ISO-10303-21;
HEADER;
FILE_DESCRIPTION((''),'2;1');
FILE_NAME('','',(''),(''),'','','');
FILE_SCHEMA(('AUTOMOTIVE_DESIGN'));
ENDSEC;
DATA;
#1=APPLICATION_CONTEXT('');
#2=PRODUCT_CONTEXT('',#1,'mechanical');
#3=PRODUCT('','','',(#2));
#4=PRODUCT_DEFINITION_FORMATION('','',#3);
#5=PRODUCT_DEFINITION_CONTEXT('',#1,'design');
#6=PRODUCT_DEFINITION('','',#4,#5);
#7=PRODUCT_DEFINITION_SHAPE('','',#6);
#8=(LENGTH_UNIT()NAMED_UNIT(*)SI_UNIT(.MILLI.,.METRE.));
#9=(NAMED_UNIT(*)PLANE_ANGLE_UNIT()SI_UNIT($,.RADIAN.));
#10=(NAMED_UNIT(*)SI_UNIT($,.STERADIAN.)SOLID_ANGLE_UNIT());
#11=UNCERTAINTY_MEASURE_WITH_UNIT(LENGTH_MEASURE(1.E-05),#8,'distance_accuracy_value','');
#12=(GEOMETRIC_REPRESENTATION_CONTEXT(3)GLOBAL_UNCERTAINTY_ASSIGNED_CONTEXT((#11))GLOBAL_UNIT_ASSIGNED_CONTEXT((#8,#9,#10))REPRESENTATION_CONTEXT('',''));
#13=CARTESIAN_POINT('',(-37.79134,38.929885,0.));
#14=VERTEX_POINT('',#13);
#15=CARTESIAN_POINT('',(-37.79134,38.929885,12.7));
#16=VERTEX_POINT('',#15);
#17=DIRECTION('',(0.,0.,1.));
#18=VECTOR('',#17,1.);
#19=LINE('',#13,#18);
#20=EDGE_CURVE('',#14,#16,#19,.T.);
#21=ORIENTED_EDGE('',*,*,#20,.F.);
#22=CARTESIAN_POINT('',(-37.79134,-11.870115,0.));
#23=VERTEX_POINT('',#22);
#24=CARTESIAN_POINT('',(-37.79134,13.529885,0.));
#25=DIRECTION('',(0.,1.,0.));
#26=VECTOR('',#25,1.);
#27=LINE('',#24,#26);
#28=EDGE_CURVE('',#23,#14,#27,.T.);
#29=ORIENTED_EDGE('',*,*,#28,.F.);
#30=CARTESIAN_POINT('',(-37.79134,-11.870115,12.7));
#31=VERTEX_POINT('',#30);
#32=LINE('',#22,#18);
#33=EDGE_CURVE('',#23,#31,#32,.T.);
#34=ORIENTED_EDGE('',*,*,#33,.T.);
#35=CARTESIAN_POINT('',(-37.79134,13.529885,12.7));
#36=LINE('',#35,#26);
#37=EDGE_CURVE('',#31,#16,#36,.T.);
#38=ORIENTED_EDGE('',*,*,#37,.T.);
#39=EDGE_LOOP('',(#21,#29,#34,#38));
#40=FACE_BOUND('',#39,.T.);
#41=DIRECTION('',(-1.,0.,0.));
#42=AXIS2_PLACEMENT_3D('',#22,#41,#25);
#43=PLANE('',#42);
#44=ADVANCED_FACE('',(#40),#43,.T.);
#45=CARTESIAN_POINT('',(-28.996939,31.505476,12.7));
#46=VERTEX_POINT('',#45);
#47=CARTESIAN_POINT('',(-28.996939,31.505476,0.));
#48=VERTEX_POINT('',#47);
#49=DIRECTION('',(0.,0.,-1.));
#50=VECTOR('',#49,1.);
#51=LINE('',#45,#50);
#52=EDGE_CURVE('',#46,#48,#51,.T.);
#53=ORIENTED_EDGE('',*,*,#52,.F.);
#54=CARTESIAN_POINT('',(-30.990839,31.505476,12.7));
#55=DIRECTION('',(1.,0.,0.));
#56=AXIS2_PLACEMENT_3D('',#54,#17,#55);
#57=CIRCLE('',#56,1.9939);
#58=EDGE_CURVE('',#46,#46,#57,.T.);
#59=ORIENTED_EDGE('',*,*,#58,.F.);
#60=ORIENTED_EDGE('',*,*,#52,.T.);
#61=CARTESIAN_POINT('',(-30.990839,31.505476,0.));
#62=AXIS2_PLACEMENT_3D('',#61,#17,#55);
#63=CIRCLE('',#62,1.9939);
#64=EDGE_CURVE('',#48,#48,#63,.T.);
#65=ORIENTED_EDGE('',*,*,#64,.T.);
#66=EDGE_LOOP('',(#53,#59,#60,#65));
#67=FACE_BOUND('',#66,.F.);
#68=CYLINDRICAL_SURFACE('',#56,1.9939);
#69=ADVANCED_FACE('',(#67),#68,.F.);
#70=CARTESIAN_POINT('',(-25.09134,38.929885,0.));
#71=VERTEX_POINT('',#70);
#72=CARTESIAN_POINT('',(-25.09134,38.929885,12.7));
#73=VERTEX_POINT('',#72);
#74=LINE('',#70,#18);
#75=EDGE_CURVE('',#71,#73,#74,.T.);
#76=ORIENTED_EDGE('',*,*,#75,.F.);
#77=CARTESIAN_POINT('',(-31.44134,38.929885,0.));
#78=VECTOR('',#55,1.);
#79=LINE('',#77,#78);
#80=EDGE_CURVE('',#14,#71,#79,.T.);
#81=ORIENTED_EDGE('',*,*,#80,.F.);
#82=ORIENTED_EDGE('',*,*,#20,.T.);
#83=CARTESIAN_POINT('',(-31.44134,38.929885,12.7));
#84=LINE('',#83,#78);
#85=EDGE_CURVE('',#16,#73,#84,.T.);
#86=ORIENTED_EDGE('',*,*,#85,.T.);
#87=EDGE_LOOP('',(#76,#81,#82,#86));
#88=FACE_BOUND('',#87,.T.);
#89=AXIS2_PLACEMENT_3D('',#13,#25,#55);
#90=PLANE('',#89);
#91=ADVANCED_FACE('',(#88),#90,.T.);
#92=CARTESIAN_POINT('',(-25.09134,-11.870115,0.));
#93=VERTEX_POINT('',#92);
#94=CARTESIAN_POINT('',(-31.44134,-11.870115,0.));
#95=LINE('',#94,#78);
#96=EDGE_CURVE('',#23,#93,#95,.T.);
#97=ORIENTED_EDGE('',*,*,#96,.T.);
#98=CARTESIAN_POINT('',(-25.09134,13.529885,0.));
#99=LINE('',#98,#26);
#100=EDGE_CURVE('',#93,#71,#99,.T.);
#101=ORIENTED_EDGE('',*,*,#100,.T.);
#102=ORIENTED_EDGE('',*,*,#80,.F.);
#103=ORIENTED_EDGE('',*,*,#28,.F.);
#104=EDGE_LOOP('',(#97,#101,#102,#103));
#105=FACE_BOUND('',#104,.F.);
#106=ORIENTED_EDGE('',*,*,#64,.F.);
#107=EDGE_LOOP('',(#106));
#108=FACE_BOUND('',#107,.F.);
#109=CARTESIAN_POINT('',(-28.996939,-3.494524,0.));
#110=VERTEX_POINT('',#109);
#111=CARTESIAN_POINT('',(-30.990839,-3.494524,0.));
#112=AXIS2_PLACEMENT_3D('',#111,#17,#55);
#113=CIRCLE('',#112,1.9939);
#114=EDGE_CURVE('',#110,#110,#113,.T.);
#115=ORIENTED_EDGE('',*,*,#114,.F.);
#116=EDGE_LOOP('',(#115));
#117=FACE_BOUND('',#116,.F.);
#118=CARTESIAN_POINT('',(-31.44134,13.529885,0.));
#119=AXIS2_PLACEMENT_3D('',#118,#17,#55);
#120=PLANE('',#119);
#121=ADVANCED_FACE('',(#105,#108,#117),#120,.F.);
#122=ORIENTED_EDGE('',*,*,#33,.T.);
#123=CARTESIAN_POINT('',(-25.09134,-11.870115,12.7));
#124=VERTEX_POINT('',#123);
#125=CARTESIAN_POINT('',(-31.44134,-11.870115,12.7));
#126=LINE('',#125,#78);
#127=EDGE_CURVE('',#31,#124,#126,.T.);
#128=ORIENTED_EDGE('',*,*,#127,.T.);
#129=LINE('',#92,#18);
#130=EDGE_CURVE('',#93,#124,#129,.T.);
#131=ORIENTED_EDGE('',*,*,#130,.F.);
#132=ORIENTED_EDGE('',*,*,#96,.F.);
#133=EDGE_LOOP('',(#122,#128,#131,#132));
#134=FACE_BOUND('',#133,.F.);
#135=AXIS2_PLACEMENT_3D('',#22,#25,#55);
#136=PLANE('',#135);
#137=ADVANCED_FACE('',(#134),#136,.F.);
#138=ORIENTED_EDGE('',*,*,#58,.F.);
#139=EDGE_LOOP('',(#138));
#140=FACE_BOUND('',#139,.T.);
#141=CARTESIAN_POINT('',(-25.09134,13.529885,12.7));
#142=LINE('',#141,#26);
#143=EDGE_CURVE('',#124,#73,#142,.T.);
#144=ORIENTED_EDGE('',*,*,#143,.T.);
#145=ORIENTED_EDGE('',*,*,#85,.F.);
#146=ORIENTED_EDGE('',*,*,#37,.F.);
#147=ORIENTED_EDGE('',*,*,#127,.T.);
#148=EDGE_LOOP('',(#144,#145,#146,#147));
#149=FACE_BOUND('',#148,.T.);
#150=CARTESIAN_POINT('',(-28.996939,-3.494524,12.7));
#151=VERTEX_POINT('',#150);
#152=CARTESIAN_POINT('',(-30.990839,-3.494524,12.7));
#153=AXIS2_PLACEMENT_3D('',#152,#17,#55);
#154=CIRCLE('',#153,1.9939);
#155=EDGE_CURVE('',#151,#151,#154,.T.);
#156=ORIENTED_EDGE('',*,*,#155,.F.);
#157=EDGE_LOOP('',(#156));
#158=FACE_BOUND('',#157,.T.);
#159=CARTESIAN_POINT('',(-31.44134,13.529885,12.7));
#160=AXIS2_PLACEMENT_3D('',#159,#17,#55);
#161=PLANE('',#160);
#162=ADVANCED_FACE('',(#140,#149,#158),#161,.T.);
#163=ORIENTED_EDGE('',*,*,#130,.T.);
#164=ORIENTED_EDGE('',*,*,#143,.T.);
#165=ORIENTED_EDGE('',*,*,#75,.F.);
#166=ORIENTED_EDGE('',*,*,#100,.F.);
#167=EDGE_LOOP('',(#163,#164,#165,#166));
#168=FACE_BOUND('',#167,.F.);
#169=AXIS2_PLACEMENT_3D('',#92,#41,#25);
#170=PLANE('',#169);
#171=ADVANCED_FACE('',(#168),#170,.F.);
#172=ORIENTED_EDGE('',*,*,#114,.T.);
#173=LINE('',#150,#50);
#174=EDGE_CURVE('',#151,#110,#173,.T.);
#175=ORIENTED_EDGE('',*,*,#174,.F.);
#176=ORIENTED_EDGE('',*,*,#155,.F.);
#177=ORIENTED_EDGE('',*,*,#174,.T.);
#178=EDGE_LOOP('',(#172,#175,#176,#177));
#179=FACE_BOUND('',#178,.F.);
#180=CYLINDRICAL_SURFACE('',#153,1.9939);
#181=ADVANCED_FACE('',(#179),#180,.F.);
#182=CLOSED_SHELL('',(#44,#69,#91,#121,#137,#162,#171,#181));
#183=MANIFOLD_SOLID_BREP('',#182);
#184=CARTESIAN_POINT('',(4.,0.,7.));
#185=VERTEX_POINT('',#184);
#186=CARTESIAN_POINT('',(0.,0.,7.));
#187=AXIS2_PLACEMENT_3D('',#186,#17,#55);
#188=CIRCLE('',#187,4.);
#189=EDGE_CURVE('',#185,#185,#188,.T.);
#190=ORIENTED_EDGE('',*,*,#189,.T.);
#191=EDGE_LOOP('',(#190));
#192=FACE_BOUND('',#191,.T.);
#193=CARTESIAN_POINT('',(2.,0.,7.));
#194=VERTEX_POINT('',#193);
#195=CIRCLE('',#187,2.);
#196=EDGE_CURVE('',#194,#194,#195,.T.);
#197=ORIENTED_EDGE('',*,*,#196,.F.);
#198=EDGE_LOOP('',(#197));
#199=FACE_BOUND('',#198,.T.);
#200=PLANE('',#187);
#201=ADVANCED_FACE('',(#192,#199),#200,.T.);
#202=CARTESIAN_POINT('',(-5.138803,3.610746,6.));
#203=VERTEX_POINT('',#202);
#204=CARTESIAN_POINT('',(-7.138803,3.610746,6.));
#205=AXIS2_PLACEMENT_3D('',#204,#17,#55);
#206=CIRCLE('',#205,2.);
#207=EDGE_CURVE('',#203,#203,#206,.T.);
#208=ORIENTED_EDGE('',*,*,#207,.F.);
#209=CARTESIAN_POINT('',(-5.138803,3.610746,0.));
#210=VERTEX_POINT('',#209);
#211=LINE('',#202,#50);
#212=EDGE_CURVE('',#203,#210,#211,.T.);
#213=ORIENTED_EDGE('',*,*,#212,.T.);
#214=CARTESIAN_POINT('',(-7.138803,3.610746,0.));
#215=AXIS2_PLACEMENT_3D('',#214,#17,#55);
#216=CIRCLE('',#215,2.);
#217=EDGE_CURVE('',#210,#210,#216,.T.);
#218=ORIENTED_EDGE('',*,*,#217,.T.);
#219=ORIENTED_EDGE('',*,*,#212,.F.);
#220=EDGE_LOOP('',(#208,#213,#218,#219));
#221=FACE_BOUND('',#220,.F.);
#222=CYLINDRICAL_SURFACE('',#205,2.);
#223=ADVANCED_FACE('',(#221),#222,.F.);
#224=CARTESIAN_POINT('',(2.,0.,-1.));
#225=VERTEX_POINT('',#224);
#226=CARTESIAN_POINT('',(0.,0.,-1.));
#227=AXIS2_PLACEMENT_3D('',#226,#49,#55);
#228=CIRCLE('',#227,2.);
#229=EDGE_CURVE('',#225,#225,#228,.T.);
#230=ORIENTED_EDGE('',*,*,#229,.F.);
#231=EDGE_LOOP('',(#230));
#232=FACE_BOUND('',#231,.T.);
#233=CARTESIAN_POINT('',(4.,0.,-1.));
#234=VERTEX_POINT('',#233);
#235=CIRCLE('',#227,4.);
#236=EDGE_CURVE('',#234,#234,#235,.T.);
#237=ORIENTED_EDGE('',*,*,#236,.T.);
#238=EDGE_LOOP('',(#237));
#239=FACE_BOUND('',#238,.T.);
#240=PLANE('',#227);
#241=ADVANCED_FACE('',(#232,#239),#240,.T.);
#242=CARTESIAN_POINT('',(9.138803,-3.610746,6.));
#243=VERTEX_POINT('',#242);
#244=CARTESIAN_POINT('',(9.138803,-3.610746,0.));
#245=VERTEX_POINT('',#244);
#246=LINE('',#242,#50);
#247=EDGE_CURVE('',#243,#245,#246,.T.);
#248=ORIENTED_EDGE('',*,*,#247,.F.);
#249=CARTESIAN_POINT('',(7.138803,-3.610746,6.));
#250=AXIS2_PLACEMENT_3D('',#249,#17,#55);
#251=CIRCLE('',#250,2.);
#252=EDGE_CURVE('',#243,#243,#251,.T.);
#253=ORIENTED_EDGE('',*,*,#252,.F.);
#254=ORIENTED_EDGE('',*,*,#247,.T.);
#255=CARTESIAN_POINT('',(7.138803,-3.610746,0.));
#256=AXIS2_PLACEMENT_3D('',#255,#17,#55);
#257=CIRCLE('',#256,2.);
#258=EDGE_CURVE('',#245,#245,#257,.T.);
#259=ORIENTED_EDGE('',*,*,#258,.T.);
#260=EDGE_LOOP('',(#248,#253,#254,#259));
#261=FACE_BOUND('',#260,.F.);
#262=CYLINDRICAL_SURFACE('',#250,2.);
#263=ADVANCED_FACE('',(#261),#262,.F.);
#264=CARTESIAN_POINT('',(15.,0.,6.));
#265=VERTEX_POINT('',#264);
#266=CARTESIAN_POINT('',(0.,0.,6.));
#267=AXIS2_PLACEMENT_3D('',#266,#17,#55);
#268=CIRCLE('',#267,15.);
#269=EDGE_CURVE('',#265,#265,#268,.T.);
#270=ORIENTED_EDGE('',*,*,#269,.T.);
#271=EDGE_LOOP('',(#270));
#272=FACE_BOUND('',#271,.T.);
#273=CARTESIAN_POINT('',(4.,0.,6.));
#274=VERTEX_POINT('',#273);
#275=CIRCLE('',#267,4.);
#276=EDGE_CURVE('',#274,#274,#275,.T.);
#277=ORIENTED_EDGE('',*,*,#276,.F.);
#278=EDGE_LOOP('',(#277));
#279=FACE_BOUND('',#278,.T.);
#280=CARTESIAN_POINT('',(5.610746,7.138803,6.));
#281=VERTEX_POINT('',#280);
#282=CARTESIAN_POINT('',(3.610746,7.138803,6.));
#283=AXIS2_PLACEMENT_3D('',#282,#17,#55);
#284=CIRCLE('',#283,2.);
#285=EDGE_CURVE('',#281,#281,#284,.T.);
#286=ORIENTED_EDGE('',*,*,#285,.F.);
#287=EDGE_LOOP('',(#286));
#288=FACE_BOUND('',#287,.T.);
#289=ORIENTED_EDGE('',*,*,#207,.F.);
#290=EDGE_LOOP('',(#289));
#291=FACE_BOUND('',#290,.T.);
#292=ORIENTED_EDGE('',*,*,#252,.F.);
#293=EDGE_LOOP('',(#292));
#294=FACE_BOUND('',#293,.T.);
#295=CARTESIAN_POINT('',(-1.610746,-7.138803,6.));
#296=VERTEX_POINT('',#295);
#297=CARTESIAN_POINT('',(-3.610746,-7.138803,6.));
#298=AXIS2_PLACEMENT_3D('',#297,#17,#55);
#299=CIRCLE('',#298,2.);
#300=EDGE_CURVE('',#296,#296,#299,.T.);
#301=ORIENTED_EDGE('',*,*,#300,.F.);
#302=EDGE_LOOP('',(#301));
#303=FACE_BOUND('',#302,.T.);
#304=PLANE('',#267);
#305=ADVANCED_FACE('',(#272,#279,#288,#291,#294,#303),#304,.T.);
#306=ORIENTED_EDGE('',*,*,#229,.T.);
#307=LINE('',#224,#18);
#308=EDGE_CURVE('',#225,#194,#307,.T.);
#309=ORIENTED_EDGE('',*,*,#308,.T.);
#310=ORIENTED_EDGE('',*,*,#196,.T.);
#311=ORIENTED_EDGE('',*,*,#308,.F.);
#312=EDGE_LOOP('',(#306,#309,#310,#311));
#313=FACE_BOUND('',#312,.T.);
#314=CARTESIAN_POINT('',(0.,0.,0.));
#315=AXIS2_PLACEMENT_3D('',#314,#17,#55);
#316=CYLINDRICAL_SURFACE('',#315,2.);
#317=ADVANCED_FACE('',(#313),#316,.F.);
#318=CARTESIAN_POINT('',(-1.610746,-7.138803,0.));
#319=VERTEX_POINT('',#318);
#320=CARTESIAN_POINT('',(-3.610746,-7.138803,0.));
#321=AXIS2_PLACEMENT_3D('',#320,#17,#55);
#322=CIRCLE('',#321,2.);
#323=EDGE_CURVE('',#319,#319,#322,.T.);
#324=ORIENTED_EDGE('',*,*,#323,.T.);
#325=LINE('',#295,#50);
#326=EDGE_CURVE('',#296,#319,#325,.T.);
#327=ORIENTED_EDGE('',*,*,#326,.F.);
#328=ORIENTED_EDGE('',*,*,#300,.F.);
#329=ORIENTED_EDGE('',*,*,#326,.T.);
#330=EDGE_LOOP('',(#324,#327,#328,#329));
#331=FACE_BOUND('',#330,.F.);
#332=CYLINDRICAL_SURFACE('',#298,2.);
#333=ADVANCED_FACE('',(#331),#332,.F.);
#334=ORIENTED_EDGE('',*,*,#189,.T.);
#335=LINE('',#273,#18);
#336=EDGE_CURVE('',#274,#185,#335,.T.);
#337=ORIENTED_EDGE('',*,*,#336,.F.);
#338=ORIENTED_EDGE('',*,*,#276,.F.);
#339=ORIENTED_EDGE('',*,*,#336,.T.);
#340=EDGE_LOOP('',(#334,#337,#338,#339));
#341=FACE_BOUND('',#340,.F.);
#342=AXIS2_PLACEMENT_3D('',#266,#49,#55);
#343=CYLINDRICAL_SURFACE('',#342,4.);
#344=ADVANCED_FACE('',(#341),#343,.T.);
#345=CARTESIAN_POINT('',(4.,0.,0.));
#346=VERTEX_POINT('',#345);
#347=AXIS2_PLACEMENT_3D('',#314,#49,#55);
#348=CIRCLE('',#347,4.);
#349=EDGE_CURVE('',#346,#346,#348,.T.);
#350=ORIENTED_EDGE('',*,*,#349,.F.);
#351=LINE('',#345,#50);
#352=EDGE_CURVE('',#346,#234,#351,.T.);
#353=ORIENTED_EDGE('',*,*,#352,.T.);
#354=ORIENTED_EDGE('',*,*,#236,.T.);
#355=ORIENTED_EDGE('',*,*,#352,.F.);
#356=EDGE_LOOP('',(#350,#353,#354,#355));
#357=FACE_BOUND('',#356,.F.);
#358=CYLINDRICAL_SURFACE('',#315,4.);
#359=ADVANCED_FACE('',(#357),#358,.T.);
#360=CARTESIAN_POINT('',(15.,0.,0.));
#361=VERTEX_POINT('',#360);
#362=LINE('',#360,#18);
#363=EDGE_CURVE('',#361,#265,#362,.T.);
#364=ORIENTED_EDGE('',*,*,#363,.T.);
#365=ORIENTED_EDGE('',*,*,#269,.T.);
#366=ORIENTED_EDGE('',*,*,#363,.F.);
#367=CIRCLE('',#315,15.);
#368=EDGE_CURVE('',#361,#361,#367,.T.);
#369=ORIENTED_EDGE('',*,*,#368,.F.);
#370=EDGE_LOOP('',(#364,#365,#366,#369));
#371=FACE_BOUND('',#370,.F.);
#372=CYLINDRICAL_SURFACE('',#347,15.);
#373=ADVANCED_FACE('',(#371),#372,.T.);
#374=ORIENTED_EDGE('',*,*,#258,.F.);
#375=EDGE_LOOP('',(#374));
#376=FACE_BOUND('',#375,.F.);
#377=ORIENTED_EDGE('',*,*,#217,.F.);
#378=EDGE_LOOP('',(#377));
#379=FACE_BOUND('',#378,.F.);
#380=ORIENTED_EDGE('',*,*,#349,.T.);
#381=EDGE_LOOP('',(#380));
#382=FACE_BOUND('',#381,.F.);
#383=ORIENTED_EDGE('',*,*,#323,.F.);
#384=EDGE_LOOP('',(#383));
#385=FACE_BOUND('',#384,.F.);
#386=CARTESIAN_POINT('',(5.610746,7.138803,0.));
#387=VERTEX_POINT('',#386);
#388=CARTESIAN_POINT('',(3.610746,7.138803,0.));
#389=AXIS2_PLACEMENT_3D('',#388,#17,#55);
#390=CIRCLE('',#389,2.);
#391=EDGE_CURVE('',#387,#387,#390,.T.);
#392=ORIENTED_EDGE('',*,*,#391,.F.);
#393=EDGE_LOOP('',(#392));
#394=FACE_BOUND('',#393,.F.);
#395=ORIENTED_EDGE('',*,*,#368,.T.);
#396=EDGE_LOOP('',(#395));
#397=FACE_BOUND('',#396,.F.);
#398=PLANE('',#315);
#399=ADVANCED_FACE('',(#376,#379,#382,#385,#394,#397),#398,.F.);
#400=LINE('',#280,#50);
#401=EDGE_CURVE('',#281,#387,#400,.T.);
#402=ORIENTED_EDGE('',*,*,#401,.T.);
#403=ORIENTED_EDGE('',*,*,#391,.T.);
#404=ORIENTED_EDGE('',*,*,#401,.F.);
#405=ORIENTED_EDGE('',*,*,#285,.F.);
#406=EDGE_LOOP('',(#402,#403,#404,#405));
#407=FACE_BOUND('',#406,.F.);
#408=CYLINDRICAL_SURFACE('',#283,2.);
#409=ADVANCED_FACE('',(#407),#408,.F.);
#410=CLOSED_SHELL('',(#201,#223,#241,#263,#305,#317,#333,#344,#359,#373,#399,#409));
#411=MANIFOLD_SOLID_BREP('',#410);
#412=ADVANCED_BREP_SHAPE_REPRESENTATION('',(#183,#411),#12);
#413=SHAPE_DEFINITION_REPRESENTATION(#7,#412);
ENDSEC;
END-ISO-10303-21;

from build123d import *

# Parameters (mm, degrees)
F0_R      = 15
F1_DEPTH  = 6
F2_R      = 2
F3_DEPTH  = 6.001
F2_R_2    = 4
F4_DEPTH  = 1
F5_R      = 4
F5_R_2    = 2
F6_DEPTH  = 1
F7_W      = 12.7
F7_H      = 50.8
F8_DEPTH  = 12.7
F9_R      = 1.9939
F10_DEPTH = 25.4


with BuildPart() as f1:
    # F0 (on Top) → F1 (new body)
    with BuildSketch(Plane.XY):
        Circle(F0_R)
    extrude(amount=F1_DEPTH)

    # F2 (on face) → F3 (cut, through all)
    with BuildSketch(Plane.XY.offset(6)):
        with Locations((-7.1388032756, 3.6107461546)):
            Circle(F2_R)
        with Locations((3.6107461546, 7.1388032756)):
            Circle(F2_R)
        with Locations((7.1388032756, -3.6107461546)):
            Circle(F2_R)
        with Locations((-3.6107461546, -7.1388032756)):
            Circle(F2_R)
        Circle(F2_R)
    extrude(amount=-F3_DEPTH, mode=Mode.SUBTRACT)

    # F2 (on face) → F4 (join)
    with BuildSketch(Plane.XY.offset(6)):
        Circle(F2_R_2)
        Circle(F2_R, mode=Mode.SUBTRACT)
    extrude(amount=F4_DEPTH)

    # F5 (on face) → F6 (join)
    with BuildSketch(Plane(origin=(0, 0, 0), x_dir=(1, 0, 0), z_dir=(0, 0, -1))):
        Circle(F5_R)
        Circle(F5_R_2, mode=Mode.SUBTRACT)
    extrude(amount=F6_DEPTH)


with BuildPart() as f8:
    # F7 (on Top) → F8 (new body)
    with BuildSketch(Plane.XY):
        with Locations((-31.441340223, 13.5298846505)):
            Rectangle(F7_W, F7_H)
    extrude(amount=F8_DEPTH)

    # F9 (on face) → F10 (cut)
    with BuildSketch(Plane.XY.offset(12.7)):
        with Locations((-30.9908390045, 31.505475532)):
            Circle(F9_R)
        with Locations((-30.9908390045, -3.494524468)):
            Circle(F9_R)
    extrude(amount=-F10_DEPTH, mode=Mode.SUBTRACT)


solid = Compound([f1.part, f8.part])
